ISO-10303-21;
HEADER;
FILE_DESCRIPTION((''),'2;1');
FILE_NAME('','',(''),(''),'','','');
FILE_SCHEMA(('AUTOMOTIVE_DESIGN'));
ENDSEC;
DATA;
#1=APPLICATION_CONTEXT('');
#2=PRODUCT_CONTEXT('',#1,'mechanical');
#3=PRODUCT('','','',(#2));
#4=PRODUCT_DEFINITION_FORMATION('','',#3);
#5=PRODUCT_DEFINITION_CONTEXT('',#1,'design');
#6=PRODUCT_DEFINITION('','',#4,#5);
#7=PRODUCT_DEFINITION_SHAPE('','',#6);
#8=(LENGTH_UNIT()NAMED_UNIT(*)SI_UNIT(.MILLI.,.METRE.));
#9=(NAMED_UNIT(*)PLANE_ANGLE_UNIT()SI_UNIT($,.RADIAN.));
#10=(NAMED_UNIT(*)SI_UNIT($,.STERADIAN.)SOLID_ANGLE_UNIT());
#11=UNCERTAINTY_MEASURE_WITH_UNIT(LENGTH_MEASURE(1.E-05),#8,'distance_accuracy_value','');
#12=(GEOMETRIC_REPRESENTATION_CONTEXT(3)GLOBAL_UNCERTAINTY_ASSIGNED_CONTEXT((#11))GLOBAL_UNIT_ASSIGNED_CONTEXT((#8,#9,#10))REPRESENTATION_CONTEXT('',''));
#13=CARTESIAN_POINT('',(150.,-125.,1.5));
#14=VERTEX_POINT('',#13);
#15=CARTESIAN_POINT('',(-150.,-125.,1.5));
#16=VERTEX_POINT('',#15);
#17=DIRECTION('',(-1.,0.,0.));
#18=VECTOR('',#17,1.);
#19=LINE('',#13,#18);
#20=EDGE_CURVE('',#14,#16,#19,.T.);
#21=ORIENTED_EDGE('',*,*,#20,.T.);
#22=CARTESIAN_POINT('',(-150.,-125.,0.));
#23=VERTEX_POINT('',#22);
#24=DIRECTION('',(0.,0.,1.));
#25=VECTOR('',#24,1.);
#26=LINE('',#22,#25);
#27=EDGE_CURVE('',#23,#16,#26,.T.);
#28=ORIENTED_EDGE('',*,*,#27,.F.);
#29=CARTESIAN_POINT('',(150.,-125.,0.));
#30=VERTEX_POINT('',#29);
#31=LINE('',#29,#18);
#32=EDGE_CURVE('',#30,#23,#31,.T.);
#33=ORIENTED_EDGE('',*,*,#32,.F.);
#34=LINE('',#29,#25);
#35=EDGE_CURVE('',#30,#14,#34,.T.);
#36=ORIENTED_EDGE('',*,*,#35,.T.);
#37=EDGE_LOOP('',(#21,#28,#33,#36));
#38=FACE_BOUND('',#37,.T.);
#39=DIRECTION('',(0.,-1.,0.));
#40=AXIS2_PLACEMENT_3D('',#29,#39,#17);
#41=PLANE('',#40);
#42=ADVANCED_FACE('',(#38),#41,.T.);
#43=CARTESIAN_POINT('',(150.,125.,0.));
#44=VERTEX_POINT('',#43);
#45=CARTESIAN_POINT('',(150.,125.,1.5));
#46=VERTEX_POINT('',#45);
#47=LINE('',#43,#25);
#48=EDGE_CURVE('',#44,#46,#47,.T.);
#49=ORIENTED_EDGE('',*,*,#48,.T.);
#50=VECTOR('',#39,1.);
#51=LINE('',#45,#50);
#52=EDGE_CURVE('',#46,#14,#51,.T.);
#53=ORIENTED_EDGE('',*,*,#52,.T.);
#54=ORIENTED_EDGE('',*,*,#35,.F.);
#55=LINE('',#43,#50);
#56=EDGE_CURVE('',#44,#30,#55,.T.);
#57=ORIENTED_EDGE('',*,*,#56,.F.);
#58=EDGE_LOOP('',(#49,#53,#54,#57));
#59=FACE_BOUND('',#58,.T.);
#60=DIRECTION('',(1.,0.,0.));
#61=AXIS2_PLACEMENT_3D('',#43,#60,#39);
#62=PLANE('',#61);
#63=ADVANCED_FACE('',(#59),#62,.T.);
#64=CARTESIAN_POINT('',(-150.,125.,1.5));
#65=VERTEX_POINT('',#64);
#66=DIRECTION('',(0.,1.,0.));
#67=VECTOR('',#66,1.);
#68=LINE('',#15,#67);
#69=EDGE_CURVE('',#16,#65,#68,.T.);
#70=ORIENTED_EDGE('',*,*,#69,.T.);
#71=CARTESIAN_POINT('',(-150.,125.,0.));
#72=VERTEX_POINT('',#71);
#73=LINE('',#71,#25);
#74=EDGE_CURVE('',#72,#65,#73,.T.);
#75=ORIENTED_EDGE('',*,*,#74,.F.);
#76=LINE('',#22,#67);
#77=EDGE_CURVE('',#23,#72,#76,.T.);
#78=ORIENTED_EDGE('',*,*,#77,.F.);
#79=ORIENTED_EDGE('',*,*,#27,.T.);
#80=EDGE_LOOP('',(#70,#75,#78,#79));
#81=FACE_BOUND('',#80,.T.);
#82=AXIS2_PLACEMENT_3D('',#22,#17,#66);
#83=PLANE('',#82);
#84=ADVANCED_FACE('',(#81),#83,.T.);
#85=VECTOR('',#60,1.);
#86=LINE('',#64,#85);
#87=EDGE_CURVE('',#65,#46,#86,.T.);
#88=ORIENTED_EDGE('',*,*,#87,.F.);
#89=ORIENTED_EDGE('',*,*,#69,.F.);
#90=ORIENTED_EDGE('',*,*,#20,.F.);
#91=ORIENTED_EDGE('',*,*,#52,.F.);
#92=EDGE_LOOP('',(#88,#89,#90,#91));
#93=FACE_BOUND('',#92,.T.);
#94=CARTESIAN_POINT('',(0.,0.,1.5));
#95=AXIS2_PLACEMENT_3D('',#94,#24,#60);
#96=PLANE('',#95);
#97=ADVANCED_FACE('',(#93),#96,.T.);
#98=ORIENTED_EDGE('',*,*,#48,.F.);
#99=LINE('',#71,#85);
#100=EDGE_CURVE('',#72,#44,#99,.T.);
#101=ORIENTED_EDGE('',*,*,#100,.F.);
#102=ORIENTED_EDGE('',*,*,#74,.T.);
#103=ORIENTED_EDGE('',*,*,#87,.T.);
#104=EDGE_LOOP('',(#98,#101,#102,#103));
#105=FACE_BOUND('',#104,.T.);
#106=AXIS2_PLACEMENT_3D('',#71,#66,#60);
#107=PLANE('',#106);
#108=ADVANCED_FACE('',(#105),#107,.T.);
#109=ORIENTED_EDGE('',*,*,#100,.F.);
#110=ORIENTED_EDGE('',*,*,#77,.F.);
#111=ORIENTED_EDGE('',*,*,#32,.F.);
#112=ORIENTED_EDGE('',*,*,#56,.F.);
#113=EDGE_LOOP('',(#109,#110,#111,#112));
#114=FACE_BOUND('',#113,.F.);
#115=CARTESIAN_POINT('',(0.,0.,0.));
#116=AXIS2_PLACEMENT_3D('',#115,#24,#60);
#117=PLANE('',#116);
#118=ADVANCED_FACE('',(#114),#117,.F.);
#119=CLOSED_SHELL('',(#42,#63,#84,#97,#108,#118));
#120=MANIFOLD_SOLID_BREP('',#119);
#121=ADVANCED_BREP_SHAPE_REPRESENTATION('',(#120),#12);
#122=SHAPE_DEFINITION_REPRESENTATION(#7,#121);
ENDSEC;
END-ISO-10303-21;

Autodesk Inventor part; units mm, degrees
ref_plane "YZ Plane" through (0, 0, 0) normal (1, 0, 0) x (0, 1, 0)
ref_plane "XZ Plane" through (0, 0, 0) normal (0, 1, 0) x (-1, 0, 0)
ref_plane "XY Plane" through (0, 0, 0) normal (0, 0, 1) x (1, 0, 0)
sketch "Sketch1" plane through (0, 0, 0) normal (0, 0, 1) x (1, 0, 0)
  line L0 (150, -125) -> (-150, -125)
  line L1 (-150, -125) -> (-150, 125)
  line L2 (-150, 125) -> (150, 125)
  line L3 (150, 125) -> (150, -125)
  line L4 (150, -125) -> (-150, 125) construction
  line L5 (-150, -125) -> (150, 125) construction
  point P0 (0, 0)
  dimension "d0" = 300
  dimension "d1" = 250
extrude "Extrusion1" add sketch "Sketch1" along normal blind 1.5
properties part number "Bed Magnet" material "Acetal Resin, Black"
